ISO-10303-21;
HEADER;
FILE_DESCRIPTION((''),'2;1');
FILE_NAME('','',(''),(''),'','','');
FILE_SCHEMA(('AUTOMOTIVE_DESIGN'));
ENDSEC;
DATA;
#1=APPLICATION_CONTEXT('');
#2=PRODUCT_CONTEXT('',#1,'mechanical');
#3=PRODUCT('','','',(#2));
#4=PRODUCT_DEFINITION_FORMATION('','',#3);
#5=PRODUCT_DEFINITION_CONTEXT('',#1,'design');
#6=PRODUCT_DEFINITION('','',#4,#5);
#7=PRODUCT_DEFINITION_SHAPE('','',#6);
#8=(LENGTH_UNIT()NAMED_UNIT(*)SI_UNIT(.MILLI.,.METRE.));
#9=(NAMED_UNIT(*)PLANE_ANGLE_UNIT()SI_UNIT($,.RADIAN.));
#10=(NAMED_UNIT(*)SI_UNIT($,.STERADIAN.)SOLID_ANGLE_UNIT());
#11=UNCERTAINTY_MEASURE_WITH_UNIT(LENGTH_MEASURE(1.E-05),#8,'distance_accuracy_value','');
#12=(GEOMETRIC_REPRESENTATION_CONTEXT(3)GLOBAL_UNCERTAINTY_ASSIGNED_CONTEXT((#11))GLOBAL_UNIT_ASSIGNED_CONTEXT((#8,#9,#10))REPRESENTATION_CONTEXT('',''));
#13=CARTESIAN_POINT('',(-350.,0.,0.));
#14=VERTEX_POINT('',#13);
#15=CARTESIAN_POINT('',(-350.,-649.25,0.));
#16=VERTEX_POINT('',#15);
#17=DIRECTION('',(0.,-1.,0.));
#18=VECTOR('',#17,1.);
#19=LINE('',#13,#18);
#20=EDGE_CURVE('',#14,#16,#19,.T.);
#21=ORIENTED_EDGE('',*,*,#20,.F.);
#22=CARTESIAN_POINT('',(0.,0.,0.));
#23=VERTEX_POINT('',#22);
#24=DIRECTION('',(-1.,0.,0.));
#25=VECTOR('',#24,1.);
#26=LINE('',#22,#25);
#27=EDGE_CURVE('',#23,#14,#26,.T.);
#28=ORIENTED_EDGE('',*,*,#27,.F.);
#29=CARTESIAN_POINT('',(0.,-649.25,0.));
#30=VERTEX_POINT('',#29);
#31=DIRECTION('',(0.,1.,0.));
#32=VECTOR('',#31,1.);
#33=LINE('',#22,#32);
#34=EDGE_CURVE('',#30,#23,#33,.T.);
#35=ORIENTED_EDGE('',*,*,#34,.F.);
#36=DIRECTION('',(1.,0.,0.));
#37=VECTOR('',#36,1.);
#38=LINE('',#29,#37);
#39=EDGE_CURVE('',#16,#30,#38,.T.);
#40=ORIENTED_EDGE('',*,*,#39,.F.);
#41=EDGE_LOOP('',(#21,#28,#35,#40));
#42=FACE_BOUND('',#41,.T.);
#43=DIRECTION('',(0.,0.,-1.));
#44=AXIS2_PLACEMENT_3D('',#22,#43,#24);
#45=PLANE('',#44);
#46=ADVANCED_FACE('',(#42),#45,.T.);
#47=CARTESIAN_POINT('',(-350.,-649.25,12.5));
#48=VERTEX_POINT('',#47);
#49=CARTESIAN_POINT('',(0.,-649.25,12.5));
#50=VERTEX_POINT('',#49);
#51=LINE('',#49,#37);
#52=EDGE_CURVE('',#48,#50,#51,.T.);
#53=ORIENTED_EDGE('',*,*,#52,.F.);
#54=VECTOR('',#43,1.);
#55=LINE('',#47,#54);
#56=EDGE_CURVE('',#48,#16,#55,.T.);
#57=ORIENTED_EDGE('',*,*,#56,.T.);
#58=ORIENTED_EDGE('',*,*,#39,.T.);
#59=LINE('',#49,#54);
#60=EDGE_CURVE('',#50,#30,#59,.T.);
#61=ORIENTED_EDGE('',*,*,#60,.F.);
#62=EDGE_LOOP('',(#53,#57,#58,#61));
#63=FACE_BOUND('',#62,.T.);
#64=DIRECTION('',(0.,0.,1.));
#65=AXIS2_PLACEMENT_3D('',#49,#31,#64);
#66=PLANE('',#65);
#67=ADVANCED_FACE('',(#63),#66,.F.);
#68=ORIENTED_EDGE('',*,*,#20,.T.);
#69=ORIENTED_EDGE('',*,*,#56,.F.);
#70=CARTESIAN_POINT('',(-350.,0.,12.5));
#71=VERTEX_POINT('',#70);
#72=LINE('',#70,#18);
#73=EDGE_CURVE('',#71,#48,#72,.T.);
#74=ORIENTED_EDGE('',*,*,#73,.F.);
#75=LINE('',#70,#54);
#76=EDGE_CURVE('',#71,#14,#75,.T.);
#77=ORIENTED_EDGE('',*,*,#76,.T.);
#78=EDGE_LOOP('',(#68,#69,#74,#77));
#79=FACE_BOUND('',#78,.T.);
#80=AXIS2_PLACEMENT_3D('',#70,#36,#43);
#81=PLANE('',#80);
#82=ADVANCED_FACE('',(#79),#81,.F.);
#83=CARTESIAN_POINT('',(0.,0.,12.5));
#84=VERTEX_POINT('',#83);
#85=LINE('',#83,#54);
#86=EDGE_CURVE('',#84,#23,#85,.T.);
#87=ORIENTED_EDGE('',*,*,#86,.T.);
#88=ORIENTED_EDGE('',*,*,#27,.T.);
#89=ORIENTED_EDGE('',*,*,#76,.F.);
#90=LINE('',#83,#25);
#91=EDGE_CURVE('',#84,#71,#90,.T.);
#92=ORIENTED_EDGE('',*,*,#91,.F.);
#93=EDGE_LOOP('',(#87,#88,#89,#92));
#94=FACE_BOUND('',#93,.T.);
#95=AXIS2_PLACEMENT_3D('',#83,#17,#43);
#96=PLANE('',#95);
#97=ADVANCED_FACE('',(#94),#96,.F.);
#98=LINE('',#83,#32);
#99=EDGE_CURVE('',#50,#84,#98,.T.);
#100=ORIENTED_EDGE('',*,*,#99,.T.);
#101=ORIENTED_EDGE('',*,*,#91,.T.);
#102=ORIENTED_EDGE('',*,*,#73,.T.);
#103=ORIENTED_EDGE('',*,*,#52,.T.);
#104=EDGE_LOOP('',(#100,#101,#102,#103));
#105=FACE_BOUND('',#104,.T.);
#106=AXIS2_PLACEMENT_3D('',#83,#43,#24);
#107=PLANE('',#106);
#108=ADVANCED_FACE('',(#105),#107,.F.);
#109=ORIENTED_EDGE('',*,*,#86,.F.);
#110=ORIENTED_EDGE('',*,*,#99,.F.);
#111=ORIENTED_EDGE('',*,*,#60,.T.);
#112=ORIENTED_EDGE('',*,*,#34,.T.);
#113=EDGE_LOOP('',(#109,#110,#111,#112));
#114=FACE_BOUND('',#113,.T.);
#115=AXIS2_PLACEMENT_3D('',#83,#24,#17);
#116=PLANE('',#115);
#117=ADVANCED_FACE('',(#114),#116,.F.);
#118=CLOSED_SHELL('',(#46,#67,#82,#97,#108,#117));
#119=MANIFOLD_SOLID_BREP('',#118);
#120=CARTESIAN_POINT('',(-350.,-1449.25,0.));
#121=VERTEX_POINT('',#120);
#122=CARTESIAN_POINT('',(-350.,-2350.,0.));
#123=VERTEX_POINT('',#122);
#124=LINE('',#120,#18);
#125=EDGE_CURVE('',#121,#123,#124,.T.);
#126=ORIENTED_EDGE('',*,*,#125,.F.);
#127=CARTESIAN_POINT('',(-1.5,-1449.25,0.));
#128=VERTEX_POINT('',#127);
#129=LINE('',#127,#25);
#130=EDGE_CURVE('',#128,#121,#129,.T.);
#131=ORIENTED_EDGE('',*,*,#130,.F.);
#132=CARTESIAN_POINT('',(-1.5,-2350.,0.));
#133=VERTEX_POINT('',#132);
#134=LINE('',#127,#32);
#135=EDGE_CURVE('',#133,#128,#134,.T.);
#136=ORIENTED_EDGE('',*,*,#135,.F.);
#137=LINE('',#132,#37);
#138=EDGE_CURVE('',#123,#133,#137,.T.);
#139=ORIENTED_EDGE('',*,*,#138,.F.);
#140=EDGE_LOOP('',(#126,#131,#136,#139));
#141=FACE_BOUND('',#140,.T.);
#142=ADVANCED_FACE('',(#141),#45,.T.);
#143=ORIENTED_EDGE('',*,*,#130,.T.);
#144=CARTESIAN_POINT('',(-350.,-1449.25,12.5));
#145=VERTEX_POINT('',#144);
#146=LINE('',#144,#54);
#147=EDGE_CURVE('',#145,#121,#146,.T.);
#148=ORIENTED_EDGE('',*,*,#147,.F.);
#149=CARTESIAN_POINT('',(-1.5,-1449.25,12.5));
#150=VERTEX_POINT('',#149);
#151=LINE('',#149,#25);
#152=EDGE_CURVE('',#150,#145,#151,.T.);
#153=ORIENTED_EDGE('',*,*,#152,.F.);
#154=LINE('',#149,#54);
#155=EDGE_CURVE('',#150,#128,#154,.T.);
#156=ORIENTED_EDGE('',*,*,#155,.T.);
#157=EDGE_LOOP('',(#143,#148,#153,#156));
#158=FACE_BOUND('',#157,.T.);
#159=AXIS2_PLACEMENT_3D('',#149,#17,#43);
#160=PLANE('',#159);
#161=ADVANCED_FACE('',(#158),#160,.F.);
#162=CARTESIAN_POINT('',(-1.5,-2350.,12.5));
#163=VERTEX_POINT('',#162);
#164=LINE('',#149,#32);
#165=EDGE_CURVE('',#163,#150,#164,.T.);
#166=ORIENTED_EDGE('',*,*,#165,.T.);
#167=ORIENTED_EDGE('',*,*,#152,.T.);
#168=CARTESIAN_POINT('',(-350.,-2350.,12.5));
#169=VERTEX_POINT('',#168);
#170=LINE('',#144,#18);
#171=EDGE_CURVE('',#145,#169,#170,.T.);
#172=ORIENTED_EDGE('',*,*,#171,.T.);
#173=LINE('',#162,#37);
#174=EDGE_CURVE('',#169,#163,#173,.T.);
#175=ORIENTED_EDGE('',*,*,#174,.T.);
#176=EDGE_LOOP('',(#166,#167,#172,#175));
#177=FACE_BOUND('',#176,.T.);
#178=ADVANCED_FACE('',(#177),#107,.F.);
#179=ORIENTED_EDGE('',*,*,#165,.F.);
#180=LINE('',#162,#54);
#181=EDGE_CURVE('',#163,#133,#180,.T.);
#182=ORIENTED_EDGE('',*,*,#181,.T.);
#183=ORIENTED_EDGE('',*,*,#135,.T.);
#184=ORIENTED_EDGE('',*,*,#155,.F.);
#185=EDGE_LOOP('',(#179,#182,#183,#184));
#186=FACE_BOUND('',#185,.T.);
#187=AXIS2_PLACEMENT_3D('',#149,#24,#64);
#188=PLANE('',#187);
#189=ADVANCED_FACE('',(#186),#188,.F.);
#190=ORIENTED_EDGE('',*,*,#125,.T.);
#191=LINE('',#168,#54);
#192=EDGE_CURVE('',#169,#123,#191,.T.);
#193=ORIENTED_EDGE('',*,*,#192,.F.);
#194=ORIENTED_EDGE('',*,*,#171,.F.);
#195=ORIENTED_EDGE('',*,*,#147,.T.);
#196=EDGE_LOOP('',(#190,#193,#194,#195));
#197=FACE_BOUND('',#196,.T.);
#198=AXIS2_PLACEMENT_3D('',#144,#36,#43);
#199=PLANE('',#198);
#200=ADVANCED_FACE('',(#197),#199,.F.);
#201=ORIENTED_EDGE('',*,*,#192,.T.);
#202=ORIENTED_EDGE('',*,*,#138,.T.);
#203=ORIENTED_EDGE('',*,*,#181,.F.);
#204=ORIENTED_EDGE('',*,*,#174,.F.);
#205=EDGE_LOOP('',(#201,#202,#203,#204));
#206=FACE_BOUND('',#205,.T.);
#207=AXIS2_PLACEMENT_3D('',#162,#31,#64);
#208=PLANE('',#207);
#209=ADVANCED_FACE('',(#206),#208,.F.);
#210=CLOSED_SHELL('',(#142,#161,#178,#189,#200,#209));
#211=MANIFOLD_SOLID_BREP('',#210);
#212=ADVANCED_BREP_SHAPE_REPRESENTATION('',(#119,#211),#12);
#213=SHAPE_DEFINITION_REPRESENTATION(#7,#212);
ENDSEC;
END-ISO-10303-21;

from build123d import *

# Parameters (mm, degrees)
SKETCH_3_W        = 350
SKETCH_3_H        = 649.25
EXTRUDE_1_DEPTH   = 12.5
SKETCH_3_W_2      = 348.5
SKETCH_3_H_2      = 900.75
EXTRUDE_1_2_DEPTH = 12.5


with BuildPart() as part:
    # Эскиз3 → Бобышка-Вытянуть1 (new body)
    with BuildSketch(Plane.XY):
        with Locations((-175, -324.625)):
            Rectangle(SKETCH_3_W, SKETCH_3_H)
    extrude(amount=EXTRUDE_1_DEPTH)


with BuildPart() as body_2:
    # Эскиз3 → Extrude 1 2 (new body)
    with BuildSketch(Plane.XY):
        with Locations((-175.75, -1899.625)):
            Rectangle(SKETCH_3_W_2, SKETCH_3_H_2)
    extrude(amount=EXTRUDE_1_2_DEPTH)


solid = Compound([part.part, body_2.part])
